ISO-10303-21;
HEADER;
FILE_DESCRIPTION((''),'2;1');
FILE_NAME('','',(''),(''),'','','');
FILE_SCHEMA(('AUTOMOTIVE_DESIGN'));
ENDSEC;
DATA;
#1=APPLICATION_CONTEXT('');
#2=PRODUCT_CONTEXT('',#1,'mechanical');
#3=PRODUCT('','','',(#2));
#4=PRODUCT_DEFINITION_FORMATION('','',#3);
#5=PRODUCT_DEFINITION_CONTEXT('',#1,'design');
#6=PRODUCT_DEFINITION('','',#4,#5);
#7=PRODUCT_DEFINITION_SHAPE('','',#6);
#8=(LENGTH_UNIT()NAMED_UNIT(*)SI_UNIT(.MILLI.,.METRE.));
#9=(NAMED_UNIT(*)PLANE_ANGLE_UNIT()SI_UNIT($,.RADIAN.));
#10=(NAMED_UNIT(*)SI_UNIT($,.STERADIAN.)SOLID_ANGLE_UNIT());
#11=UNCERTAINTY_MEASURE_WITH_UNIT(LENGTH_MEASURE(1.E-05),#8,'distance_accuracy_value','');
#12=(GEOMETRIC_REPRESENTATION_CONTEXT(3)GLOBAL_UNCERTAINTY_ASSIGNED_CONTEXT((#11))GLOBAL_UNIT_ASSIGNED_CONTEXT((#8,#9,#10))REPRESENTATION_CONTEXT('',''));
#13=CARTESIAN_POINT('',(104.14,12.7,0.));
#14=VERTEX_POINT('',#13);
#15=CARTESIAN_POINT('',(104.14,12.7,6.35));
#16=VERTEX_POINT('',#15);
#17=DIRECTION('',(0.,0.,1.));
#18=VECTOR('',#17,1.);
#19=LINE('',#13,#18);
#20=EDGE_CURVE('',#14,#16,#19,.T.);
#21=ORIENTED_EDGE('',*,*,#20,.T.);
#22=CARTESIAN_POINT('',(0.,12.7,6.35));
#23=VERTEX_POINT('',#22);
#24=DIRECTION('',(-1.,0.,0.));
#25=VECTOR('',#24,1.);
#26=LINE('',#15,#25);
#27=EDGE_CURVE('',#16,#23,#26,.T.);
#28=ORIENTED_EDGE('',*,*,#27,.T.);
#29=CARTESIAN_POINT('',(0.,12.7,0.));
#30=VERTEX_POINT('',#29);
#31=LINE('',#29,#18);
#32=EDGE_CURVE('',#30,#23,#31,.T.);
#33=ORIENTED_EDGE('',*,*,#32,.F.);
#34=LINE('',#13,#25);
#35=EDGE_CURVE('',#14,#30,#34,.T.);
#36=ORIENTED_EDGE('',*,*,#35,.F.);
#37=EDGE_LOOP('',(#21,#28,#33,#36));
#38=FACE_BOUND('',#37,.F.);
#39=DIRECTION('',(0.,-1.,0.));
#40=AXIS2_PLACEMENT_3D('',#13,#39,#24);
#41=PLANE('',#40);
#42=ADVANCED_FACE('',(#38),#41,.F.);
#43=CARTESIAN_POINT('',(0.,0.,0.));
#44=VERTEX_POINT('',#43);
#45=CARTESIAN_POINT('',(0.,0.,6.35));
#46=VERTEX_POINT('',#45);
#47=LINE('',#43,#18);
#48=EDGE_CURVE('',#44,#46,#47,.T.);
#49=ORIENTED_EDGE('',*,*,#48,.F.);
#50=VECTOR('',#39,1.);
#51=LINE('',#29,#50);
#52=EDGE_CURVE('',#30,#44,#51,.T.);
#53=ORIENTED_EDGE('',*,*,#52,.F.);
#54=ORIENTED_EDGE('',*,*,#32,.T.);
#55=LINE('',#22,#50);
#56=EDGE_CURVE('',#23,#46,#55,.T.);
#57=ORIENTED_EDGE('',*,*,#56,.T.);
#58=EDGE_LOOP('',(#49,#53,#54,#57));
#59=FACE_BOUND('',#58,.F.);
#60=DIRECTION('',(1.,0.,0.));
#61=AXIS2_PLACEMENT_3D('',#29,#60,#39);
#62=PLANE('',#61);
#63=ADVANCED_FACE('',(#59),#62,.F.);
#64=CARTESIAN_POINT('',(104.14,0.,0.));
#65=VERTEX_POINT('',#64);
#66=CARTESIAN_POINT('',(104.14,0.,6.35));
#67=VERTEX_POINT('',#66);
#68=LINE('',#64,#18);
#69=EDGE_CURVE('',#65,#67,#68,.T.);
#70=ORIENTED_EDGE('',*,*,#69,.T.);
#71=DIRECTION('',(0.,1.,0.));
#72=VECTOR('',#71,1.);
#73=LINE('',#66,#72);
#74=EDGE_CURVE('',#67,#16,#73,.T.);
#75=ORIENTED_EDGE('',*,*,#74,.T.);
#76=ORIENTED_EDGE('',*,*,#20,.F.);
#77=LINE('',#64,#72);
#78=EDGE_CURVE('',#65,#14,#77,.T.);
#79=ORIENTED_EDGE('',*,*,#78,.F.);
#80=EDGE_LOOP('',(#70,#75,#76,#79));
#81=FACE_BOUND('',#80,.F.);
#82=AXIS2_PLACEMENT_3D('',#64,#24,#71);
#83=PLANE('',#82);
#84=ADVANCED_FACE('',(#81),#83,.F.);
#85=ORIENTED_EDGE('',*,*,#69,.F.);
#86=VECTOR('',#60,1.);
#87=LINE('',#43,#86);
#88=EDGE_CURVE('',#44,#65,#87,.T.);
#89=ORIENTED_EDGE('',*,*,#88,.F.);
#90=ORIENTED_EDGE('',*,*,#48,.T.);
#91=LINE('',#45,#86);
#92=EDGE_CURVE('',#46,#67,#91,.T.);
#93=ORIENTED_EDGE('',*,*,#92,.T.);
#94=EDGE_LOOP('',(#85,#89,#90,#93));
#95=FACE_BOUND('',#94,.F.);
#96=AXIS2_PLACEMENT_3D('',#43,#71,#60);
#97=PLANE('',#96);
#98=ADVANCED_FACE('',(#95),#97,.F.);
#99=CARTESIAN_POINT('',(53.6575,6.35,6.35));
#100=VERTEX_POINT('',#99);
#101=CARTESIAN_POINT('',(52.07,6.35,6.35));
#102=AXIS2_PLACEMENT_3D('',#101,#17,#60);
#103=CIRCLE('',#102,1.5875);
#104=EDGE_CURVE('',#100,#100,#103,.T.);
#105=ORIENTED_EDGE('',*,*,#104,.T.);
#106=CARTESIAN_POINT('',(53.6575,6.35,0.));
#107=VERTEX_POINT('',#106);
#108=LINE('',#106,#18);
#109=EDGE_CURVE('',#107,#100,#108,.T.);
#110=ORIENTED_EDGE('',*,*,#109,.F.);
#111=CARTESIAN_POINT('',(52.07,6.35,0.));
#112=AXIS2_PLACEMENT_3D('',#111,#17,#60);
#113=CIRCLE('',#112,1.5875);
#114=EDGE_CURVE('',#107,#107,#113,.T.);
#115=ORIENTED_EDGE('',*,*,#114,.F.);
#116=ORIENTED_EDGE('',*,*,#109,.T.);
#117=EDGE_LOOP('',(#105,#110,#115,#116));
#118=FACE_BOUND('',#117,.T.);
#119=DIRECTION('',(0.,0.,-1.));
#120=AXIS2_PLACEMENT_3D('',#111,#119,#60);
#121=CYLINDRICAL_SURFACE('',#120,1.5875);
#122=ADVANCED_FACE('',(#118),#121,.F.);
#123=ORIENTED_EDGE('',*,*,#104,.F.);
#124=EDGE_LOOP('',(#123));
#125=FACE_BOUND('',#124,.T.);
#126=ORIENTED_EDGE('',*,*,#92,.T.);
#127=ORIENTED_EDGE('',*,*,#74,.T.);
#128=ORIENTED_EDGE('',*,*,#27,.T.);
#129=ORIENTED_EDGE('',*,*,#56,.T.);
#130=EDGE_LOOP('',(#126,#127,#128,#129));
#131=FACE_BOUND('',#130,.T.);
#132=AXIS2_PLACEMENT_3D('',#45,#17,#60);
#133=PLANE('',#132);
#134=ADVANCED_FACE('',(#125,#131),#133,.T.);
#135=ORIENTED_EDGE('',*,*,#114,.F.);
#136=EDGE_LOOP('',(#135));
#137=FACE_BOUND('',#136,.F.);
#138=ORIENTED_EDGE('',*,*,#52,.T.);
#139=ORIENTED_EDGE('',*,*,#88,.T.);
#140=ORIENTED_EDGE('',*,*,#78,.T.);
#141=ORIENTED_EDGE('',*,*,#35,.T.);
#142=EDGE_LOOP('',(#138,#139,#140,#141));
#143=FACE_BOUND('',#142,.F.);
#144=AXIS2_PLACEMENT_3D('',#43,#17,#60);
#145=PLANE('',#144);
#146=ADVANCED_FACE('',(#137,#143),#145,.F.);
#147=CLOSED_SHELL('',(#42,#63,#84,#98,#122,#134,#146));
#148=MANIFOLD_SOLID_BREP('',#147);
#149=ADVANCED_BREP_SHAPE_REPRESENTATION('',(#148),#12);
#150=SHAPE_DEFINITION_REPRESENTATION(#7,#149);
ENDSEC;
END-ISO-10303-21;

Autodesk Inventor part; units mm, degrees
ref_plane "YZ Plane" through (0, 0, 0) normal (1, 0, 0) x (0, 1, 0)
ref_plane "XZ Plane" through (0, 0, 0) normal (0, 1, 0) x (-1, 0, 0)
ref_plane "XY Plane" through (0, 0, 0) normal (0, 0, 1) x (1, 0, 0)
sketch "Sketch1" plane through (0, 0, 0) normal (0, 0, 1) x (1, 0, 0)
  line L0 (0, 0) -> (104.14, 0)
  line L1 (104.14, 0) -> (104.14, 12.7)
  line L2 (104.14, 12.7) -> (0, 12.7)
  line L3 (0, 12.7) -> (0, 0)
  circle A0 centre (52.07, 6.35) radius 1.5875
  dimension "d0" = 104.14
  dimension "d2" = 12.7
  dimension "d3" = 3.175
extrude "Extrusion1" add sketch "Sketch1" along normal blind 6.35
properties part number "prop"
